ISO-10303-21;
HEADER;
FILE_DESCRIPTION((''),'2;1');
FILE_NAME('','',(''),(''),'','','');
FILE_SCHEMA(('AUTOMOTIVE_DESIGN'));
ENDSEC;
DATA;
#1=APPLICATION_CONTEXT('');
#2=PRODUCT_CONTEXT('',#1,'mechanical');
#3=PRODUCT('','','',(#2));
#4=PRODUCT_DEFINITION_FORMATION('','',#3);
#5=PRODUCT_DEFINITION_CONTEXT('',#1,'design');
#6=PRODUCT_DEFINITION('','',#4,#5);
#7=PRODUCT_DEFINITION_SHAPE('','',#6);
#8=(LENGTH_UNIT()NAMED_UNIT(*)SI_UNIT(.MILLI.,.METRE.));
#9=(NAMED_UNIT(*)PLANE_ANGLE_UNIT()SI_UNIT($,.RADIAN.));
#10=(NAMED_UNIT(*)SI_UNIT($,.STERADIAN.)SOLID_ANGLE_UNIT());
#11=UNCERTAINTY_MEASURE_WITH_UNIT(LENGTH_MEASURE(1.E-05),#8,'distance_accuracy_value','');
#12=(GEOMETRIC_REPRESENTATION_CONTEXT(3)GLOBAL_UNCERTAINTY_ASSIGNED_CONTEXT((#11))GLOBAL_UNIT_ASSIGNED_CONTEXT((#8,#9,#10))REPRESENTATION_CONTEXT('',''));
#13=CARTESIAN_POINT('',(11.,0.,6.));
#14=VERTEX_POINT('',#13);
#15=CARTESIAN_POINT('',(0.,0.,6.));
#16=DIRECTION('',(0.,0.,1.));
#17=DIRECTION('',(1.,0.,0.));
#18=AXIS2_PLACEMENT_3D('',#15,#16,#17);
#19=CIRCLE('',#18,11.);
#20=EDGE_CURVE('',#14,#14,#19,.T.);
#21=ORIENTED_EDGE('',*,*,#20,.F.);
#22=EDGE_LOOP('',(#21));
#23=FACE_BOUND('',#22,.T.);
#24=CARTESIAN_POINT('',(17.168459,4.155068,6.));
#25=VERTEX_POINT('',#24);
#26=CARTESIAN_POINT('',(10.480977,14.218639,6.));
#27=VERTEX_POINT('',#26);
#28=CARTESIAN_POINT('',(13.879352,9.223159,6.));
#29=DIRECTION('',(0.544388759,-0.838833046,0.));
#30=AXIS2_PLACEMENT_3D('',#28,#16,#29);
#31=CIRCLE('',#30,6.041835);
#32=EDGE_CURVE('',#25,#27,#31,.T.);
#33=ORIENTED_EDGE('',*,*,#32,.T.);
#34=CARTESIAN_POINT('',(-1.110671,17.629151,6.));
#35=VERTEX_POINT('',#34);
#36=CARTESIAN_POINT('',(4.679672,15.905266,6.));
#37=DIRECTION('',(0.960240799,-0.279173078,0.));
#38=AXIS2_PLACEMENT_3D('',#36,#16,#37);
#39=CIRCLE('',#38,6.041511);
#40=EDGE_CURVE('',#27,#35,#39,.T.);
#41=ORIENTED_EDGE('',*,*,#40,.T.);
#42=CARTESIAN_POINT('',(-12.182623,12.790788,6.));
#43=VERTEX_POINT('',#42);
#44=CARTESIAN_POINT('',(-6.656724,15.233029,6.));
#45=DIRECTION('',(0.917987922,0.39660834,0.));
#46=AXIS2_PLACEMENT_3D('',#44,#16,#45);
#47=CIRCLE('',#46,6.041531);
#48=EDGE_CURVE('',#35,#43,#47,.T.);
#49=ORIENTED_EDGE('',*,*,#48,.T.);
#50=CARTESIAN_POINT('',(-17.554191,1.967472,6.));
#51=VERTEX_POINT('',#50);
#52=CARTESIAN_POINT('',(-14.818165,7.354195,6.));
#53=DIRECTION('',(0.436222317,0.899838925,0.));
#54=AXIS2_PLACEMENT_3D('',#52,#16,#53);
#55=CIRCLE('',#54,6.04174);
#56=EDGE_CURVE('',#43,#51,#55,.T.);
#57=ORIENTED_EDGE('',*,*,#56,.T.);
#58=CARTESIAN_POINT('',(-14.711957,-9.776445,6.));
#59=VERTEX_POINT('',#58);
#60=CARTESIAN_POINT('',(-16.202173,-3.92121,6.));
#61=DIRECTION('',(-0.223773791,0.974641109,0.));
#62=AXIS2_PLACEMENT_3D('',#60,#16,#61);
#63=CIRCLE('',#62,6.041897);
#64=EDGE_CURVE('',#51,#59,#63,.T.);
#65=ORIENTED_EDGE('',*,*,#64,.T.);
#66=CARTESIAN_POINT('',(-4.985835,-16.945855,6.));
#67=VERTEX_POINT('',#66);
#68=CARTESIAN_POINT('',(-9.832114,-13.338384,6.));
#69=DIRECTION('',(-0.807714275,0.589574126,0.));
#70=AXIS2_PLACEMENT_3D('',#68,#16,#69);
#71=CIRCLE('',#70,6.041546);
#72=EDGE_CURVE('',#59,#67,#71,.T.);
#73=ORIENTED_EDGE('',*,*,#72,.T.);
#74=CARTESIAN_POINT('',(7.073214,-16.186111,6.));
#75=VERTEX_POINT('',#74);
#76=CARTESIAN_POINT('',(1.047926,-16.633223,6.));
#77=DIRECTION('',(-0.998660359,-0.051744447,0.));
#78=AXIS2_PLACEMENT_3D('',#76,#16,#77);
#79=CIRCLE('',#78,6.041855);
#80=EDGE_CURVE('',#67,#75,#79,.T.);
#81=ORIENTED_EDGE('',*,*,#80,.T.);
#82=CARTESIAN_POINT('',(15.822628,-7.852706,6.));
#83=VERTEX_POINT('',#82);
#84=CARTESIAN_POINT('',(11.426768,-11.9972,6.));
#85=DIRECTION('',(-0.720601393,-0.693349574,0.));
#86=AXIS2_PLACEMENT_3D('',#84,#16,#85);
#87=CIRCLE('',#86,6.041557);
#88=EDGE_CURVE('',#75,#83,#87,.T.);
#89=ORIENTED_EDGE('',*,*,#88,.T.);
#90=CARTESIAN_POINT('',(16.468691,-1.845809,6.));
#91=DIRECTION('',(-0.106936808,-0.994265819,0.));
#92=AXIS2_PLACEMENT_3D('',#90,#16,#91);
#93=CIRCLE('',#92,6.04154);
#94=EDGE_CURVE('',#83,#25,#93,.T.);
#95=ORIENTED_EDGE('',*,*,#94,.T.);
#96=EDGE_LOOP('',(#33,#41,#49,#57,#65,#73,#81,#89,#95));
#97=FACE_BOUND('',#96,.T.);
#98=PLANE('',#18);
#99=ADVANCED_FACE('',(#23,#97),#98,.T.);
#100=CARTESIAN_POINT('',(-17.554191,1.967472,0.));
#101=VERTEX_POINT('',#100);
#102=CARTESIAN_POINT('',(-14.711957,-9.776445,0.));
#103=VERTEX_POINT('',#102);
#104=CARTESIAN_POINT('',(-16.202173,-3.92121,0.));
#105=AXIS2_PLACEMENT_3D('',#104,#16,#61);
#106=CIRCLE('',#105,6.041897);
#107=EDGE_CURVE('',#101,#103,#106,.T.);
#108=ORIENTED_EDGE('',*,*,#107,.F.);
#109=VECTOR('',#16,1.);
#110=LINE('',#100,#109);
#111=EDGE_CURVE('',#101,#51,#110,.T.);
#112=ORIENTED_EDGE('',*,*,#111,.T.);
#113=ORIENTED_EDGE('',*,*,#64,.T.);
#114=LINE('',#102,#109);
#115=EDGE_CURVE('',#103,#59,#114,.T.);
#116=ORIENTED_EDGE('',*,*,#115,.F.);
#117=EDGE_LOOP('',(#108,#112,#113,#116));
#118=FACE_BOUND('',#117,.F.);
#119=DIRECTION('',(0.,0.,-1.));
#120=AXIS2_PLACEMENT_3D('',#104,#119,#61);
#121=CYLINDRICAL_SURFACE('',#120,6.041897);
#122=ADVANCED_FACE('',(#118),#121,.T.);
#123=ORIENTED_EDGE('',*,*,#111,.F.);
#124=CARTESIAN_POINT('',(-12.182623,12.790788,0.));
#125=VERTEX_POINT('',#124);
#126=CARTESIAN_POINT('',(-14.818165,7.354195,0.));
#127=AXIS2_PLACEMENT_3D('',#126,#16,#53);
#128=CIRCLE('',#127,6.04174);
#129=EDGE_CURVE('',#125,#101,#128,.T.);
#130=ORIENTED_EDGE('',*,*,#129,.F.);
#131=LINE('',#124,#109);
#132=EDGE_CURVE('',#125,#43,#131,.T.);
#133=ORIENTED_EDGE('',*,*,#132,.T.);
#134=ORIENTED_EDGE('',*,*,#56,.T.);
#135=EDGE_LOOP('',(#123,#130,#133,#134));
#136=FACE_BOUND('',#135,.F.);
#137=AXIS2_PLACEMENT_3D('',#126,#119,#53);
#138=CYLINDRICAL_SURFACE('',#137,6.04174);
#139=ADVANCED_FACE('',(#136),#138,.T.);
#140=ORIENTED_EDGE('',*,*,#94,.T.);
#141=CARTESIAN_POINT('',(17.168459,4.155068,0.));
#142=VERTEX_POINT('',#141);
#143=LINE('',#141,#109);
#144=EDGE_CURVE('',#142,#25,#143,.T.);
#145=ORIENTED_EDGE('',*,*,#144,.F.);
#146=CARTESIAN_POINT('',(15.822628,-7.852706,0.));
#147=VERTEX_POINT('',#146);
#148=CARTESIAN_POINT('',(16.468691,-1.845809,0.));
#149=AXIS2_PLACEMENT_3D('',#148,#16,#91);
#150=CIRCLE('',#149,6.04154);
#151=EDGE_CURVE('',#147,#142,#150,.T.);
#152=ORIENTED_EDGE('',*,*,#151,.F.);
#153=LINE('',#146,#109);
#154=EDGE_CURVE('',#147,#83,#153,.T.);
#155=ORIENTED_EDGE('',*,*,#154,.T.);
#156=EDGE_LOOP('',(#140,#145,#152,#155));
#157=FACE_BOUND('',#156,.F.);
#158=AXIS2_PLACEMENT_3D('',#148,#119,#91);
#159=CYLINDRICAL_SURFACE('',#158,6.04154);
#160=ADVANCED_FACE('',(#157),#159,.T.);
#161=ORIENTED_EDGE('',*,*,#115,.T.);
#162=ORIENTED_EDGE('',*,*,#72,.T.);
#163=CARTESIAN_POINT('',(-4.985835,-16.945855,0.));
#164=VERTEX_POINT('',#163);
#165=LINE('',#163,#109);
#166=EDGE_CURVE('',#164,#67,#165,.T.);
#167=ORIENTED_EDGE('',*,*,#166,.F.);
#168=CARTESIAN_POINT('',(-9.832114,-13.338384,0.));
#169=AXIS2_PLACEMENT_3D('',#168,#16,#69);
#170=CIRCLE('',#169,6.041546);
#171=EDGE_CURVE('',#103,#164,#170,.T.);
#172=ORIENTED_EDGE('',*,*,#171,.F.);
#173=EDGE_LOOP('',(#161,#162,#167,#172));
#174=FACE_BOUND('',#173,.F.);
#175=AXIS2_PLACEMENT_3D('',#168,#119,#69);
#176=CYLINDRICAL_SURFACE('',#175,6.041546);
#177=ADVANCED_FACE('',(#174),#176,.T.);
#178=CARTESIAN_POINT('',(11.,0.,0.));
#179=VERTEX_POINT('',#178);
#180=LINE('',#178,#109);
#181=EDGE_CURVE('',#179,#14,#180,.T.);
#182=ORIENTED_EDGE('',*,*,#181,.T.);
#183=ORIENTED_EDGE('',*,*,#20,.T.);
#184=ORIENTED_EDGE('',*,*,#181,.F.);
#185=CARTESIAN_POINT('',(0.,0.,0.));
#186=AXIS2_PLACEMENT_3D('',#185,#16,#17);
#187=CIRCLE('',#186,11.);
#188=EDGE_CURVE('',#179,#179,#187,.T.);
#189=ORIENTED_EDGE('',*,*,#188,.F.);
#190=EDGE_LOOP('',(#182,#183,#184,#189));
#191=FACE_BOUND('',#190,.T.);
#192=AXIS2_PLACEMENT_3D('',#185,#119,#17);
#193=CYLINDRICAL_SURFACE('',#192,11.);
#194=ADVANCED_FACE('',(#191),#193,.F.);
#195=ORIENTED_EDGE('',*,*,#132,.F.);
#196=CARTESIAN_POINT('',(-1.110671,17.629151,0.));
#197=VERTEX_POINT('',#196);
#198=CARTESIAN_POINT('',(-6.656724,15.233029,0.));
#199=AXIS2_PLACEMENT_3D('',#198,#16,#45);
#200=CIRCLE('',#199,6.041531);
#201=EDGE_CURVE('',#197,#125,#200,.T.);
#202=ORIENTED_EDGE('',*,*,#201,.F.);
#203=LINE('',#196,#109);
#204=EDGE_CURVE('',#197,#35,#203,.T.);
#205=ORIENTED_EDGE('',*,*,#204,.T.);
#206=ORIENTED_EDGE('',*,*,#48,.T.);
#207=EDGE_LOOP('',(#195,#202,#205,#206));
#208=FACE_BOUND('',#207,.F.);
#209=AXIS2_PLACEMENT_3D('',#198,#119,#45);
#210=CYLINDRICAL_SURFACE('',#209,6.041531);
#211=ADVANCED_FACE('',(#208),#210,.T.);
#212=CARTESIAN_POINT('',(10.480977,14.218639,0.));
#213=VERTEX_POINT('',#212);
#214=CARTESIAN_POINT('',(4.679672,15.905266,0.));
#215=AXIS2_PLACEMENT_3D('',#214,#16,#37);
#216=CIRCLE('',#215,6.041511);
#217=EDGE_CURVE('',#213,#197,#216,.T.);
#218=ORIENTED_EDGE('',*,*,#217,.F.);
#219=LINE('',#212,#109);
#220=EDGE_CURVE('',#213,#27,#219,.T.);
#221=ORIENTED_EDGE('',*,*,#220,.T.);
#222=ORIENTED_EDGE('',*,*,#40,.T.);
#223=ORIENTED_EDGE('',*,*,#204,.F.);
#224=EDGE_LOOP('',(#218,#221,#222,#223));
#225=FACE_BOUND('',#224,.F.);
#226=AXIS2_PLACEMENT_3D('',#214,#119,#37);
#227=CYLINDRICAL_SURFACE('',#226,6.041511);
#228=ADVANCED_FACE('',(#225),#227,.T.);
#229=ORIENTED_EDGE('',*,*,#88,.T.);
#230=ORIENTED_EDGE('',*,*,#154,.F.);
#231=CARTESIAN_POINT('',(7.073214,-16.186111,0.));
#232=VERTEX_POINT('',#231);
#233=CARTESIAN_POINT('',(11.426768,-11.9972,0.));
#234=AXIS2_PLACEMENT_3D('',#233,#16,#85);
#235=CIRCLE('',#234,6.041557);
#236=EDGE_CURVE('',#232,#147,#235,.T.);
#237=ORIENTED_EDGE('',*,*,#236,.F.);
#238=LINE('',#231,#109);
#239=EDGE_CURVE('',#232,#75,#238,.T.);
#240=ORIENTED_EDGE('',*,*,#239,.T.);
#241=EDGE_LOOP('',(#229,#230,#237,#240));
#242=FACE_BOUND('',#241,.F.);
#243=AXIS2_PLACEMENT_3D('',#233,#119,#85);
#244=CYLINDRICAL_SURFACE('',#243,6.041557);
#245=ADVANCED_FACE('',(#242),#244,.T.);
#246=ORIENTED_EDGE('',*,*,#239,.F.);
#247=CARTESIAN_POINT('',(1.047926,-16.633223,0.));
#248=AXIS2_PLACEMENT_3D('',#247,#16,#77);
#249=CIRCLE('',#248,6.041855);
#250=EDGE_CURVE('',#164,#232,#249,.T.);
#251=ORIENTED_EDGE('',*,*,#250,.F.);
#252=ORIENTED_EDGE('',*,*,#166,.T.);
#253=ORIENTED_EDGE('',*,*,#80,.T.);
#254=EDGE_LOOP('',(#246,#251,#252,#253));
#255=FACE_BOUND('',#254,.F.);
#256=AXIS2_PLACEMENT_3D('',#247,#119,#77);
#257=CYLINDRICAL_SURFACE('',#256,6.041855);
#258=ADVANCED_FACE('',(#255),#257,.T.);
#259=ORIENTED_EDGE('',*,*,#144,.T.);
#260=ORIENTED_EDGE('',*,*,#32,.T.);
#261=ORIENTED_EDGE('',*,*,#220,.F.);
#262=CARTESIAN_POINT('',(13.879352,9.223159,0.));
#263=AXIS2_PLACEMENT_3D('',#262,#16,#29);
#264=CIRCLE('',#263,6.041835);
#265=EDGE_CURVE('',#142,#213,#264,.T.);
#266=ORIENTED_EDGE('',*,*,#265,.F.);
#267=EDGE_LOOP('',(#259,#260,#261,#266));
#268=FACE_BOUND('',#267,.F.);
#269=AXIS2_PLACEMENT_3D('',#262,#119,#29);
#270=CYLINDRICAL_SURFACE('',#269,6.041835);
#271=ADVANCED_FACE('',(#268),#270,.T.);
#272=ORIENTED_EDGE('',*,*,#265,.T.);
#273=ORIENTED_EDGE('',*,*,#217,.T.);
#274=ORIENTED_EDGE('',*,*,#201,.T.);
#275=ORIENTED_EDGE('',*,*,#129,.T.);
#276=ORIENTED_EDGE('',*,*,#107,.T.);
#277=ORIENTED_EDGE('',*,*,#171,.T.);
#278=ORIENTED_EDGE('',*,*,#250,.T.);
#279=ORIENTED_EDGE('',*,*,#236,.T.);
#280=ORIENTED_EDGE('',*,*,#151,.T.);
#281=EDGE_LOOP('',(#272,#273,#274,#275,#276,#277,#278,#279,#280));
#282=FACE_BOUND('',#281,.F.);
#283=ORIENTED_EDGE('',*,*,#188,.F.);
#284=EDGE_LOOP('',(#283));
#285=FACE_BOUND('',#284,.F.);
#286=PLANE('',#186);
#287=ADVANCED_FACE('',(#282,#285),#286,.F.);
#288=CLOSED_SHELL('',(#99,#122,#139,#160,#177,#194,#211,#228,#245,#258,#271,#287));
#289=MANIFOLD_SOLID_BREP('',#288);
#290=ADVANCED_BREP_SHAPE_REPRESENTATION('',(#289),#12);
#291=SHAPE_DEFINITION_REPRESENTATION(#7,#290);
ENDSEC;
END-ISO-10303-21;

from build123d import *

# Parameters (mm, degrees)
F0_R     = 11
F1_DEPTH = 6


with BuildPart() as f1:
    # F0 (on Top) → F1 (new body)
    with BuildSketch(Plane.XY):
        Polygon((7.073214, -16.186111), (15.822628, -7.852706), (17.168459, 4.155068), (10.480977, 14.218639), (-1.110671, 17.629151), (-12.182623, 12.790788), (-17.554191, 1.967472), (-14.711957, -9.776445), (-4.985835, -16.945855), align=None)
        Circle(F0_R, mode=Mode.SUBTRACT)
        with BuildLine():
            Line((-1.110671, 17.629151), (10.480977, 14.218639))
            ThreePointArc((10.480977, 14.218639), (6.384937, 21.70112), (-1.110671, 17.629151))
        make_face()
        with BuildLine():
            Line((-12.182623, 12.790788), (-1.110671, 17.629151))
            ThreePointArc((-1.110671, 17.629151), (-9.075927, 20.769053), (-12.182623, 12.790788))
        make_face()
        with BuildLine():
            ThreePointArc((-12.182623, 12.790788), (-20.230056, 10.040095), (-17.554191, 1.967472))
            Line((-17.554191, 1.967472), (-12.182623, 12.790788))
        make_face()
        with BuildLine():
            ThreePointArc((-17.554191, 1.967472), (-22.074538, -5.342424), (-14.711957, -9.776445))
            Line((-14.711957, -9.776445), (-17.554191, 1.967472))
        make_face()
        with BuildLine():
            ThreePointArc((-14.711957, -9.776445), (-13.416859, -18.201498), (-4.985835, -16.945855))
            Line((-4.985835, -16.945855), (-14.711957, -9.776445))
        make_face()
        with BuildLine():
            ThreePointArc((-4.985835, -16.945855), (1.427821, -22.663122), (7.073214, -16.186111))
            Line((7.073214, -16.186111), (-4.985835, -16.945855))
        make_face()
        with BuildLine():
            ThreePointArc((7.073214, -16.186111), (15.593525, -16.371963), (15.822628, -7.852706))
            Line((15.822628, -7.852706), (7.073214, -16.186111))
        make_face()
        with BuildLine():
            Line((17.168459, 4.155068), (15.822628, -7.852706))
            ThreePointArc((15.822628, -7.852706), (22.472638, -2.518732), (17.168459, 4.155068))
        make_face()
        with BuildLine():
            Line((10.480977, 14.218639), (17.168459, 4.155068))
            ThreePointArc((17.168459, 4.155068), (18.911434, 12.567097), (10.480977, 14.218639))
        make_face()
    extrude(amount=F1_DEPTH)


solid = f1.part
